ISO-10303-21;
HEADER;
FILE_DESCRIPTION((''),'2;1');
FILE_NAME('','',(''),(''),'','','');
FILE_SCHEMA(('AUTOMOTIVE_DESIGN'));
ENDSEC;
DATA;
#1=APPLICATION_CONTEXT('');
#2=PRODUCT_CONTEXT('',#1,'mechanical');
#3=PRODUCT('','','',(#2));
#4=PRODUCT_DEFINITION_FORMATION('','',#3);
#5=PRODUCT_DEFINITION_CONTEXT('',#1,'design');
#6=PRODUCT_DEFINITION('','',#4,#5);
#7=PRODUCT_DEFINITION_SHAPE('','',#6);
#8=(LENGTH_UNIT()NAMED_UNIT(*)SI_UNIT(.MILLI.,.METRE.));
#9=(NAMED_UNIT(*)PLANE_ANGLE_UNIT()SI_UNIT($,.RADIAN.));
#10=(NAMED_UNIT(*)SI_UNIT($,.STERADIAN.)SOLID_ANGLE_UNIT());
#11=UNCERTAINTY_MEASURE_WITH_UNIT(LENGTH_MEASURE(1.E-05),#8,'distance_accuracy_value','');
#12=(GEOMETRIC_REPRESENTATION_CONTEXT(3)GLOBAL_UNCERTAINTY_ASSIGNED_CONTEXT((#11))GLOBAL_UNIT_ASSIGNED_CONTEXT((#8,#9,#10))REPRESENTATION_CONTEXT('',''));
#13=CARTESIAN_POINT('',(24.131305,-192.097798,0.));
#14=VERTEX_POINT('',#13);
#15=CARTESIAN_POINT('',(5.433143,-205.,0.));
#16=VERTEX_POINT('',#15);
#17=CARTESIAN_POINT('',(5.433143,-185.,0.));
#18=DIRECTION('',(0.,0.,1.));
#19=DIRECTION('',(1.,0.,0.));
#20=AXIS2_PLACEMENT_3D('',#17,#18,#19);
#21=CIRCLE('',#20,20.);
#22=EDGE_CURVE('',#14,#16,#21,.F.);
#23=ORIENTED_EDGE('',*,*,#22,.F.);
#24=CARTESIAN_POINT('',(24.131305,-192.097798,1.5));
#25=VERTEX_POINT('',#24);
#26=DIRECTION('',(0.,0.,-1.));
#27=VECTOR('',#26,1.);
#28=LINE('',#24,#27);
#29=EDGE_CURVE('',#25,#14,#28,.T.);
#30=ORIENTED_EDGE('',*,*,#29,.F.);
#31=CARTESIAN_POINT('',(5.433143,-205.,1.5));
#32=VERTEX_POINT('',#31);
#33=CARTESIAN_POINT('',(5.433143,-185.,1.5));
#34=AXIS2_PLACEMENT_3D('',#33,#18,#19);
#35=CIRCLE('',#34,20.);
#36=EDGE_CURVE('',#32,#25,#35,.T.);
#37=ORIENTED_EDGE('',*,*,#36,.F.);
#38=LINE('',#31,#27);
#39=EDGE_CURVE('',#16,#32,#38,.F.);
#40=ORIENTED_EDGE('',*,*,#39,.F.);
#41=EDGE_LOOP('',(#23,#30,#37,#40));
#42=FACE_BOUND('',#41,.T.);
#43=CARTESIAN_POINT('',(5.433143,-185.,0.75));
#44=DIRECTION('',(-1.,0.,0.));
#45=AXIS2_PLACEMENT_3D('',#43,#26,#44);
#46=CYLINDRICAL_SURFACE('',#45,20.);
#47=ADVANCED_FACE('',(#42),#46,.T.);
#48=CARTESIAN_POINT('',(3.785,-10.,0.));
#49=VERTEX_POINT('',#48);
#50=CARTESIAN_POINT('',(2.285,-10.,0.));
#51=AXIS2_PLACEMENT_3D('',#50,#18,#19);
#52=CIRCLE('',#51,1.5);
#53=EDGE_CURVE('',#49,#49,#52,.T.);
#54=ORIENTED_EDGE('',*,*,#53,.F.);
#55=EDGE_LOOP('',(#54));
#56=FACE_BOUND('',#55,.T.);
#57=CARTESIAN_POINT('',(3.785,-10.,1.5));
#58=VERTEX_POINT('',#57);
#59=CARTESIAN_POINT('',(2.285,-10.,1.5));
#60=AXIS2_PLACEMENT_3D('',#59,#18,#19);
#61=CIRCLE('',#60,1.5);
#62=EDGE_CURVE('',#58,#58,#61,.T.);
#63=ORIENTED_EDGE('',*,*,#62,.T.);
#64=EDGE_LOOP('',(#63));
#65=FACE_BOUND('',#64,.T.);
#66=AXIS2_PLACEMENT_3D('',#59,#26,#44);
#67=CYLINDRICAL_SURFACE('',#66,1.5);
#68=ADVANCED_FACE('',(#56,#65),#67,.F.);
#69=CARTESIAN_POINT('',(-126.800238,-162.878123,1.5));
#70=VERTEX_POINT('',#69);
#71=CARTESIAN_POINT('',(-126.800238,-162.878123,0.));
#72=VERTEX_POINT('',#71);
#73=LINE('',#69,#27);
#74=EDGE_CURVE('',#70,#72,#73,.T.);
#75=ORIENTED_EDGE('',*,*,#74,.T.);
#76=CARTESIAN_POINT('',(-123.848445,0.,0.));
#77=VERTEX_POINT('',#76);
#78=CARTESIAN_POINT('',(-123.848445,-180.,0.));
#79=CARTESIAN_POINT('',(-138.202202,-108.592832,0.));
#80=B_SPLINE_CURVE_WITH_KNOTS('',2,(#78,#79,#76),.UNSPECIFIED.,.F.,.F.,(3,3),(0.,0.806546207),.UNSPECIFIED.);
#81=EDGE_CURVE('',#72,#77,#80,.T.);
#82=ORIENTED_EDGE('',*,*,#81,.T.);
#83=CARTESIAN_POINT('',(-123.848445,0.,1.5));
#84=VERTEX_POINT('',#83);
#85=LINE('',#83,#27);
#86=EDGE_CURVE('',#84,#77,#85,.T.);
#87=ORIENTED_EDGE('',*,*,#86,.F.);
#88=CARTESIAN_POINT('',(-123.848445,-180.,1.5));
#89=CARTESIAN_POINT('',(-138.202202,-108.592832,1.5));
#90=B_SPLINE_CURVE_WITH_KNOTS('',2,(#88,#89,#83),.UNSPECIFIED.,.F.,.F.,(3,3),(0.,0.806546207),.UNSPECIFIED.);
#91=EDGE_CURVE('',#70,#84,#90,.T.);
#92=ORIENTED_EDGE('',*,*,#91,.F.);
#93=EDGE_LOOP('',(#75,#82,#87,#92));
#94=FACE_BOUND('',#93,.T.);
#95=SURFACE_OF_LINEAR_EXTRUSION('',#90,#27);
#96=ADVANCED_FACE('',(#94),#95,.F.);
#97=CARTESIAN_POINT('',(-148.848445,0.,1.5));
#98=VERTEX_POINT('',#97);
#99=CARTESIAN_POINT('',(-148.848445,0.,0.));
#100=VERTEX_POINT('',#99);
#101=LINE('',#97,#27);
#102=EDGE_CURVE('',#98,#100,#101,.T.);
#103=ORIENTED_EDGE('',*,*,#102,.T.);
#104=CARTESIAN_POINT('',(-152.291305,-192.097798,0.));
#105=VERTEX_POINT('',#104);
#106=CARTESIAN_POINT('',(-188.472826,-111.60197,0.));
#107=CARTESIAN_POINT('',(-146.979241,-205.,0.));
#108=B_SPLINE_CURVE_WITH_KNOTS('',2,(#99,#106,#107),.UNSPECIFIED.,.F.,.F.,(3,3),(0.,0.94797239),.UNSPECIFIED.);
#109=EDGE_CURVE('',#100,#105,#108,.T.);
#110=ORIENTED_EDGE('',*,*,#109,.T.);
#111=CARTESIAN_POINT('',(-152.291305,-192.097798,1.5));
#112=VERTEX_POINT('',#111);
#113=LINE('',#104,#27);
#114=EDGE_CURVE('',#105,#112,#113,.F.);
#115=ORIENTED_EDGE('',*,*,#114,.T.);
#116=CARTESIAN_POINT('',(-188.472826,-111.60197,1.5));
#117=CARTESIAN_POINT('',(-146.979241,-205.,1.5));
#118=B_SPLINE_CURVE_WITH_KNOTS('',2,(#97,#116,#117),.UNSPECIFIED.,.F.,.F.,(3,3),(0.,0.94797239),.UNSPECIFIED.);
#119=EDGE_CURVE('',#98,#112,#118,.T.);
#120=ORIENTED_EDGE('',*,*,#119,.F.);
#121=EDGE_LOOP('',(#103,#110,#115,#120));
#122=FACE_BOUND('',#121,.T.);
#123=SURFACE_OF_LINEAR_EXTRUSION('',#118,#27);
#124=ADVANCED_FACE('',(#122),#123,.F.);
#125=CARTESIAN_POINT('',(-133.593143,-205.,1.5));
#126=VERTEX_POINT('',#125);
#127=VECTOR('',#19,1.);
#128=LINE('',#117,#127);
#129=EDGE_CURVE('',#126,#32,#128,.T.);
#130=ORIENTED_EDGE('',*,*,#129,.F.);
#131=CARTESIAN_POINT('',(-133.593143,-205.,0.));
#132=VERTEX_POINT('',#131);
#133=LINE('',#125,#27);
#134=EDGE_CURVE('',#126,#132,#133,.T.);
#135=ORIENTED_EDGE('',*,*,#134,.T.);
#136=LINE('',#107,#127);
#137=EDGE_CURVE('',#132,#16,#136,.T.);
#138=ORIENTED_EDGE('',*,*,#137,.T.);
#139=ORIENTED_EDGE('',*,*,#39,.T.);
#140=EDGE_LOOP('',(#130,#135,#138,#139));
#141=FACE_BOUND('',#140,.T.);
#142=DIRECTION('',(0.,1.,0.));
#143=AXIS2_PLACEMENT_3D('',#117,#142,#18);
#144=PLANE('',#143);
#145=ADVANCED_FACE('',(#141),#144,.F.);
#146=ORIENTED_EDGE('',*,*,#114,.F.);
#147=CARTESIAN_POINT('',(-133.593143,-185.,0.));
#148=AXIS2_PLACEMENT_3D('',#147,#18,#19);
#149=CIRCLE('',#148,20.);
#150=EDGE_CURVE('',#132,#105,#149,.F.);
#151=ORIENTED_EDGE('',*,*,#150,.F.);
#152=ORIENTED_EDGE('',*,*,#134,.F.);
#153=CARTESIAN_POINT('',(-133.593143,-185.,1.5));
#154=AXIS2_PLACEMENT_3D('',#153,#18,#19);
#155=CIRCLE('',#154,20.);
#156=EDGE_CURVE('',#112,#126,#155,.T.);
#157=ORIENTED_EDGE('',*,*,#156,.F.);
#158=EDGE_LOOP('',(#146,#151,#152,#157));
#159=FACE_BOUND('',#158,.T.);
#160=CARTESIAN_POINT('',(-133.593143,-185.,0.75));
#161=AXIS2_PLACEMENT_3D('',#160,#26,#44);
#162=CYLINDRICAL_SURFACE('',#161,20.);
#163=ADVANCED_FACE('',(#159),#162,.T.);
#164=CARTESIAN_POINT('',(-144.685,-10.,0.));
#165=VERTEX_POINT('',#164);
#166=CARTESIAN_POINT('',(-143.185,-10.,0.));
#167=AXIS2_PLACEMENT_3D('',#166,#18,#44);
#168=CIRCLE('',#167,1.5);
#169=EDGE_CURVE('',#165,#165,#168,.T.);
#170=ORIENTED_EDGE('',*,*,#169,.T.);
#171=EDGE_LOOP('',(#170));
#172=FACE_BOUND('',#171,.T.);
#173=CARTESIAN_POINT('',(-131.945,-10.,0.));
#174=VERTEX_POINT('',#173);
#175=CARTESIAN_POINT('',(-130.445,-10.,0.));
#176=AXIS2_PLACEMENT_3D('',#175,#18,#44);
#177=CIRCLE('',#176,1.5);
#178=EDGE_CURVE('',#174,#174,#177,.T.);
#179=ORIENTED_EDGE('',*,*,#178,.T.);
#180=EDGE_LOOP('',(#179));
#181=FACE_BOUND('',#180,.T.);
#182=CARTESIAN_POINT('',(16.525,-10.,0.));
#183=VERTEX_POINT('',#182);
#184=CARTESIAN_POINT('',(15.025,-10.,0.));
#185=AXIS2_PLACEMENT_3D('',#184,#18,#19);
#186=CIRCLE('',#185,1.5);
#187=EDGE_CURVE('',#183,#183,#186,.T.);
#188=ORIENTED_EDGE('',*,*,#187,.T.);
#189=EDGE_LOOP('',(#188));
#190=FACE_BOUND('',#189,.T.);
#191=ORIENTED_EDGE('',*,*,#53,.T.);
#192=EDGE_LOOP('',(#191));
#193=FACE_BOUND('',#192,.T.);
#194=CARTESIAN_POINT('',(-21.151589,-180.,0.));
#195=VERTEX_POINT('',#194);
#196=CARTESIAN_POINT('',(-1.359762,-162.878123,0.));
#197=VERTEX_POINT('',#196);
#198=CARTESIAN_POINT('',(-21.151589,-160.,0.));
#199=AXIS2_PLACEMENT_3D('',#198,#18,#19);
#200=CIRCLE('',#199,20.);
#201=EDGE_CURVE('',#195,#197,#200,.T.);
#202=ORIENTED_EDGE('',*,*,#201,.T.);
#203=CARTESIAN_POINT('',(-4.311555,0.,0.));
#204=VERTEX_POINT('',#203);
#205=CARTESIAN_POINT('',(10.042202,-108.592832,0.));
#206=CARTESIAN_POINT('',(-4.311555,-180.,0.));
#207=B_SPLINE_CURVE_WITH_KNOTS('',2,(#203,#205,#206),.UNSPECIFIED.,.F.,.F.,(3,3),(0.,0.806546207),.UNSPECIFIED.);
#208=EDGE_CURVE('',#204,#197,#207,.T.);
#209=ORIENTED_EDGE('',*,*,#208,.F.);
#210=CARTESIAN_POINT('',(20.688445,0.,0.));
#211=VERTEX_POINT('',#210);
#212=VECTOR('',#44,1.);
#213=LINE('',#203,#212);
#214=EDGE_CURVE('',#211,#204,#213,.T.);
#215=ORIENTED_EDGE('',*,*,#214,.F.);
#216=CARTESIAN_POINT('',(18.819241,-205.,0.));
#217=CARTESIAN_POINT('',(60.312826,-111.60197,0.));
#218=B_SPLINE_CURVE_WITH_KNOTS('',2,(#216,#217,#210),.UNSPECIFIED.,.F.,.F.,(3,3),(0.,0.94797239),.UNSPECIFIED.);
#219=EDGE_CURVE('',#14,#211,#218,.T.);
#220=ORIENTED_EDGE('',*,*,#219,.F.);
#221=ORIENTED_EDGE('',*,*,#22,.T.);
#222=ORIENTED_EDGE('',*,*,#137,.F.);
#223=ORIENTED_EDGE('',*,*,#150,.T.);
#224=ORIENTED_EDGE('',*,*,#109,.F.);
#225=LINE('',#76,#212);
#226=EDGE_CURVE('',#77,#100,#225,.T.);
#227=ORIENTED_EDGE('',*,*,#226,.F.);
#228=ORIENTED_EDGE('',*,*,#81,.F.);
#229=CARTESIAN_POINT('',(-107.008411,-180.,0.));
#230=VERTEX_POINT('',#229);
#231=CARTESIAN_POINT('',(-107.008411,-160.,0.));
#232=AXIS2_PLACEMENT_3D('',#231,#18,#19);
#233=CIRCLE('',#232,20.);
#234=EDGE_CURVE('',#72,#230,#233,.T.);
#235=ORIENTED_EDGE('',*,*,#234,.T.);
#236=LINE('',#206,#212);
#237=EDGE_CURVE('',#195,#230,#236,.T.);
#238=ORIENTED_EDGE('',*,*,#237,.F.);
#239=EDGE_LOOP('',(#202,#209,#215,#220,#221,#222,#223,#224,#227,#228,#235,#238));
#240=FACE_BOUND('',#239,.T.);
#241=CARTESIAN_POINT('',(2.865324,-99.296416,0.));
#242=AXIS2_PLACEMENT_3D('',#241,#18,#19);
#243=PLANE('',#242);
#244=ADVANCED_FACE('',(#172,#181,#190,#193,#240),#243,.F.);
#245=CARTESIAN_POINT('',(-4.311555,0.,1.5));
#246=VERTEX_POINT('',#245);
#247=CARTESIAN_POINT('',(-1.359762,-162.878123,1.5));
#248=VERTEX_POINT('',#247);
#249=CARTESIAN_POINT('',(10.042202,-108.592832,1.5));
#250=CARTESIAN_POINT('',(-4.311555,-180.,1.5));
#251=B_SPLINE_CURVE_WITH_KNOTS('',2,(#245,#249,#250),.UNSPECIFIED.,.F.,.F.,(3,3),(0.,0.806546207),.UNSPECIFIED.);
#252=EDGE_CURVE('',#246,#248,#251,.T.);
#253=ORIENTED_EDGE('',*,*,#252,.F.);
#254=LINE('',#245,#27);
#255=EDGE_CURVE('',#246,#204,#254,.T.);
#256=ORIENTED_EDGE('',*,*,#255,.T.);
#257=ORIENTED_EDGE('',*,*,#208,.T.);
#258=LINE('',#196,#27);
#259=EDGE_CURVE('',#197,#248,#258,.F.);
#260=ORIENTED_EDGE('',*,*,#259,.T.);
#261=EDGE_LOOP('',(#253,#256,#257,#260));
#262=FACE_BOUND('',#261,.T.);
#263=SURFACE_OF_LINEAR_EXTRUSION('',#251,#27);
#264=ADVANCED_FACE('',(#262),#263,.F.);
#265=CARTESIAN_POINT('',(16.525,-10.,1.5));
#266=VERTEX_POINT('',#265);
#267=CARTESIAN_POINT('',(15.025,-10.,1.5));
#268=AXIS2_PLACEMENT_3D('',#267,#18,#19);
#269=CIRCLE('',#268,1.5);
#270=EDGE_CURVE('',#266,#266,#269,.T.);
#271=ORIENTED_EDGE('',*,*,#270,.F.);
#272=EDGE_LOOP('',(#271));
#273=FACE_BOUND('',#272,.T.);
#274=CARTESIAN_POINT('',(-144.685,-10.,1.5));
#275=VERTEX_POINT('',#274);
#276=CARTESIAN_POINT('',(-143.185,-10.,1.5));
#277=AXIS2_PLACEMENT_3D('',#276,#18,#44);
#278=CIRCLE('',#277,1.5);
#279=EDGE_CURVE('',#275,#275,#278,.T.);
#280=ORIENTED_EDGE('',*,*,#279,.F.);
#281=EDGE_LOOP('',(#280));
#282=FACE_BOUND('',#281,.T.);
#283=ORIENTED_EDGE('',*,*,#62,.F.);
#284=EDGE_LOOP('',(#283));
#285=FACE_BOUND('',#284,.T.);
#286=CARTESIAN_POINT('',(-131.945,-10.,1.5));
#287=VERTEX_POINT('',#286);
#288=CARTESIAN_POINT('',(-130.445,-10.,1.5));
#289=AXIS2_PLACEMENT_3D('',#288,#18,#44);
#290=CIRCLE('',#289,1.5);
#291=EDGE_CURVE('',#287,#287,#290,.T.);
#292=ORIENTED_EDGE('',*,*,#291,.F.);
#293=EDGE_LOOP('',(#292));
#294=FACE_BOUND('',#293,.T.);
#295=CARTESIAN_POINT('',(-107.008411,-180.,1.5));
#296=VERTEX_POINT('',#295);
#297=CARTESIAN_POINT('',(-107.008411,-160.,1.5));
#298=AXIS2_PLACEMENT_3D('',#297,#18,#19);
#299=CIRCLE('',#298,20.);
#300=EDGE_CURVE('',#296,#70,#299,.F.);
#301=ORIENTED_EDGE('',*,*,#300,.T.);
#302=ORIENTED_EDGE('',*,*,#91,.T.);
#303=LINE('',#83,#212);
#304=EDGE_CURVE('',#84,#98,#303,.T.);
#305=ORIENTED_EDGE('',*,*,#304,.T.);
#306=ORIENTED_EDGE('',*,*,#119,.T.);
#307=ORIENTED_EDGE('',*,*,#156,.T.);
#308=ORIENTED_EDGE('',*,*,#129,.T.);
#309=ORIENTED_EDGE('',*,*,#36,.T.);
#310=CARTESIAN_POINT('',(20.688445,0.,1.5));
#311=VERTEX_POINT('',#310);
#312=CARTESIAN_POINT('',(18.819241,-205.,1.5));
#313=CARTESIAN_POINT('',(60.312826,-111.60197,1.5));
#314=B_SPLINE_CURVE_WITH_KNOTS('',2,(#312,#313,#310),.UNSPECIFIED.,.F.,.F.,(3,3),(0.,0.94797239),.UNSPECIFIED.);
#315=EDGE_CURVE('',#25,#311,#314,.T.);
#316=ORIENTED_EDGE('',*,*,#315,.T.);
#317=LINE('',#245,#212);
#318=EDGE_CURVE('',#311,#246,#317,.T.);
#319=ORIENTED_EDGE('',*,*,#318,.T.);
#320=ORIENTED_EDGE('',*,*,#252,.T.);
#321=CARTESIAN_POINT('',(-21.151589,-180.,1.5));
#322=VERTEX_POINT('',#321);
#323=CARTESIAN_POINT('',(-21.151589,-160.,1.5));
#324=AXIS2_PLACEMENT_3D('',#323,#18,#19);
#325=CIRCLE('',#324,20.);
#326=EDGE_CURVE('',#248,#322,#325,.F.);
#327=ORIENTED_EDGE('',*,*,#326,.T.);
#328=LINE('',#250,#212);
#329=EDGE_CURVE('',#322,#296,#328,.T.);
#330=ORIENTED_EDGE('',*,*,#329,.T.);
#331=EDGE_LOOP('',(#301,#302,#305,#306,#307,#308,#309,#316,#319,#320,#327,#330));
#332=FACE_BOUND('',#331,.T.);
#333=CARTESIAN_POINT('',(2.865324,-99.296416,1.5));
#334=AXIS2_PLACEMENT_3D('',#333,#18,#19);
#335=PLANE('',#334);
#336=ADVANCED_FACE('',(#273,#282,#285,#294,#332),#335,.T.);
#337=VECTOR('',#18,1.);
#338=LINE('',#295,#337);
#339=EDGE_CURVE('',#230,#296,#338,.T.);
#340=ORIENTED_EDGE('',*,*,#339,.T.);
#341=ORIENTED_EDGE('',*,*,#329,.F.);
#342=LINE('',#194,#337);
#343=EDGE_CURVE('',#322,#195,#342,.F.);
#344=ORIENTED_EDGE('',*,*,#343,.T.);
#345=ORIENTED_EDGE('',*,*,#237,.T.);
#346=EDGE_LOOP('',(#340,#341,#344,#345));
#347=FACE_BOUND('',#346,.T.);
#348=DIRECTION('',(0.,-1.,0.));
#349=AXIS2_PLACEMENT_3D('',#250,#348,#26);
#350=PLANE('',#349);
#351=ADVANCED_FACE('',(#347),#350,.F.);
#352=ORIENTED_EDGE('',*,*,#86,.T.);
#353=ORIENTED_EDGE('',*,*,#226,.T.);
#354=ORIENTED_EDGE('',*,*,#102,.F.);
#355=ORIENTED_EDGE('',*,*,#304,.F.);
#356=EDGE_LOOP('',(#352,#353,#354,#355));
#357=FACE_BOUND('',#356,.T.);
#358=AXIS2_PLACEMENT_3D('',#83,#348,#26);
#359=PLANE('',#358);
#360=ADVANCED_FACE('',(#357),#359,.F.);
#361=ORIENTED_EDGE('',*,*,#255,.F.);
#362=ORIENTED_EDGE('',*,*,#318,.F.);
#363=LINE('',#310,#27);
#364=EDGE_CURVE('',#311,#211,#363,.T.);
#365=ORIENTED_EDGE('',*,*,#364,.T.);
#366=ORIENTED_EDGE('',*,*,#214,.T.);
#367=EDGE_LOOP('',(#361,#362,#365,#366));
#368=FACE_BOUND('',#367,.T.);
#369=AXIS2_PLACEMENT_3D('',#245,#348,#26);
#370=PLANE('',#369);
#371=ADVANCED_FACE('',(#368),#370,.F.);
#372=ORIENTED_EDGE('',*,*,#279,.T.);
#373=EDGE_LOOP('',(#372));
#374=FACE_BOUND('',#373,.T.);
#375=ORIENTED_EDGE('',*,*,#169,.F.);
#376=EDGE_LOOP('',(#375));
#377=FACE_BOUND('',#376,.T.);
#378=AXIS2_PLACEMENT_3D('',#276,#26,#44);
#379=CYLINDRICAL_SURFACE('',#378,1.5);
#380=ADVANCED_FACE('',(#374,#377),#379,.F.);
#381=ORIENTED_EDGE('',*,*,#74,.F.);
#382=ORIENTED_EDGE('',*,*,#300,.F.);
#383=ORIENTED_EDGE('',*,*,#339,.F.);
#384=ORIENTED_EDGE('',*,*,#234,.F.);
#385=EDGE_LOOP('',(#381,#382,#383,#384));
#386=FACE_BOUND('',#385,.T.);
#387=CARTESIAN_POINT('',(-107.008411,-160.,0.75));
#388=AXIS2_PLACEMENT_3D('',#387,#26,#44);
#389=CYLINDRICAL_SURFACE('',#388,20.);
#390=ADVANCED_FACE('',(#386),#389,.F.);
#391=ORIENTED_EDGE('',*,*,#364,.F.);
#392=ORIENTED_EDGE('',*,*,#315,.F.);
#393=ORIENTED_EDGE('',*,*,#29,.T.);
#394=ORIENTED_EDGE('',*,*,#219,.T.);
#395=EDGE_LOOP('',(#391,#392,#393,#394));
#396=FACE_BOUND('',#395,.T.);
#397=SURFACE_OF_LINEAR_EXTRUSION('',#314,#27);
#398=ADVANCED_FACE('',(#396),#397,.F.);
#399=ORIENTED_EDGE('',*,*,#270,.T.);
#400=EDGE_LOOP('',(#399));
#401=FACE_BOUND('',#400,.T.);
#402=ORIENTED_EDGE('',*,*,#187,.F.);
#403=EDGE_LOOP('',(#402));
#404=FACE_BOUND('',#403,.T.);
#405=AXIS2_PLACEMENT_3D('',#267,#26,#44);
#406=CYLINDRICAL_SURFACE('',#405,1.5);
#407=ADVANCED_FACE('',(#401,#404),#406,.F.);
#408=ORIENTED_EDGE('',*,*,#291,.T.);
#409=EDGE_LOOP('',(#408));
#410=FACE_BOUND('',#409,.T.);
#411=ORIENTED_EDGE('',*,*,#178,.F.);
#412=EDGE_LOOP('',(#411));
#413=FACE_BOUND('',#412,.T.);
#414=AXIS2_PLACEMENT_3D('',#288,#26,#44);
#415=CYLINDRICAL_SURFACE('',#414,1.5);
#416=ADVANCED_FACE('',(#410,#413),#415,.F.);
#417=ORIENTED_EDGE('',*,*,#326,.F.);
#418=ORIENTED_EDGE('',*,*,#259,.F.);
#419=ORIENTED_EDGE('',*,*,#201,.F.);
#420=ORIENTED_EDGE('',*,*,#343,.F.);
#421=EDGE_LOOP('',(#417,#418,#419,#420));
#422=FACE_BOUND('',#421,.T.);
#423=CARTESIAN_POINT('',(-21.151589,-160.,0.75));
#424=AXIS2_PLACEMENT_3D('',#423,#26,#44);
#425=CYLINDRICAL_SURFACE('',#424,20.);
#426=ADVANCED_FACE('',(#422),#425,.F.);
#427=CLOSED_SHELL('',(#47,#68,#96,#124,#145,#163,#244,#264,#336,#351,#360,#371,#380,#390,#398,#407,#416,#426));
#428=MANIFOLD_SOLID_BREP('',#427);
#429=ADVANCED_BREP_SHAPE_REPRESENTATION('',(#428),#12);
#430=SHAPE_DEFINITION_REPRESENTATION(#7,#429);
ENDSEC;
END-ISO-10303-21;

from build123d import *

# Parameters (mm, degrees)
SKETCH1_R           = 1.5
BOSS_EXTRUDE1_DEPTH = 1.5
FILLET1_R           = 20
FILLET2_R           = 20


with BuildPart() as part:
    # Sketch1 → Boss-Extrude1 (new body)
    with BuildSketch(Plane.XY):
        with BuildLine():
            Line((-4.311554675, 0), (20.688445325, 0))
            add(Edge.make_bspline(
                [(20.688445325, 0), (60.31282649, -111.601969695), (18.819240624, -205)],
                knots=[0, 0, 0, 0.94797239, 0.94797239, 0.94797239], degree=2))
            Line((18.819240624, -205), (-146.979240624, -205))
            add(Edge.make_bspline(
                [(-148.848445325, 0), (-188.47282649, -111.601969695), (-146.979240624, -205)],
                knots=[0, 0, 0, 0.94797239, 0.94797239, 0.94797239], degree=2))
            Line((-148.848445325, 0), (-123.848445325, 0))
            add(Edge.make_bspline(
                [(-123.848445325, 0), (-138.20220228, -108.592832155), (-123.848445325, -180)],
                knots=[0, 0, 0, 0.806546207, 0.806546207, 0.806546207], degree=2))
            Line((-123.848445325, -180), (-4.311554675, -180))
            add(Edge.make_bspline(
                [(-4.311554675, 0), (10.04220228, -108.592832155), (-4.311554675, -180)],
                knots=[0, 0, 0, 0.806546207, 0.806546207, 0.806546207], degree=2))
        make_face()
        with Locations((2.285, -10)):
            Circle(SKETCH1_R, mode=Mode.SUBTRACT)
        with Locations((15.025, -10)):
            Circle(SKETCH1_R, mode=Mode.SUBTRACT)
        with Locations(Location((-143.185, -10, 0), (0, 0, 180))):
            Circle(SKETCH1_R, mode=Mode.SUBTRACT)
        with Locations(Location((-130.445, -10, 0), (0, 0, 180))):
            Circle(SKETCH1_R, mode=Mode.SUBTRACT)
    extrude(amount=BOSS_EXTRUDE1_DEPTH)

    # Fillet1
    fillet1_edges = [part.edges().sort_by_distance(p)[0] for p in [
        (-123.848445325, -180, 0.75),
        (-4.311554675, -180, 0.75),
    ]]
    fillet(fillet1_edges, radius=FILLET1_R)

    # Fillet2
    fillet2_edges = [part.edges().sort_by_distance(p)[0] for p in [
        (-146.979240624, -205, 0.75),
        (18.819240624, -205, 0.75),
    ]]
    fillet(fillet2_edges, radius=FILLET2_R)


solid = part.part
